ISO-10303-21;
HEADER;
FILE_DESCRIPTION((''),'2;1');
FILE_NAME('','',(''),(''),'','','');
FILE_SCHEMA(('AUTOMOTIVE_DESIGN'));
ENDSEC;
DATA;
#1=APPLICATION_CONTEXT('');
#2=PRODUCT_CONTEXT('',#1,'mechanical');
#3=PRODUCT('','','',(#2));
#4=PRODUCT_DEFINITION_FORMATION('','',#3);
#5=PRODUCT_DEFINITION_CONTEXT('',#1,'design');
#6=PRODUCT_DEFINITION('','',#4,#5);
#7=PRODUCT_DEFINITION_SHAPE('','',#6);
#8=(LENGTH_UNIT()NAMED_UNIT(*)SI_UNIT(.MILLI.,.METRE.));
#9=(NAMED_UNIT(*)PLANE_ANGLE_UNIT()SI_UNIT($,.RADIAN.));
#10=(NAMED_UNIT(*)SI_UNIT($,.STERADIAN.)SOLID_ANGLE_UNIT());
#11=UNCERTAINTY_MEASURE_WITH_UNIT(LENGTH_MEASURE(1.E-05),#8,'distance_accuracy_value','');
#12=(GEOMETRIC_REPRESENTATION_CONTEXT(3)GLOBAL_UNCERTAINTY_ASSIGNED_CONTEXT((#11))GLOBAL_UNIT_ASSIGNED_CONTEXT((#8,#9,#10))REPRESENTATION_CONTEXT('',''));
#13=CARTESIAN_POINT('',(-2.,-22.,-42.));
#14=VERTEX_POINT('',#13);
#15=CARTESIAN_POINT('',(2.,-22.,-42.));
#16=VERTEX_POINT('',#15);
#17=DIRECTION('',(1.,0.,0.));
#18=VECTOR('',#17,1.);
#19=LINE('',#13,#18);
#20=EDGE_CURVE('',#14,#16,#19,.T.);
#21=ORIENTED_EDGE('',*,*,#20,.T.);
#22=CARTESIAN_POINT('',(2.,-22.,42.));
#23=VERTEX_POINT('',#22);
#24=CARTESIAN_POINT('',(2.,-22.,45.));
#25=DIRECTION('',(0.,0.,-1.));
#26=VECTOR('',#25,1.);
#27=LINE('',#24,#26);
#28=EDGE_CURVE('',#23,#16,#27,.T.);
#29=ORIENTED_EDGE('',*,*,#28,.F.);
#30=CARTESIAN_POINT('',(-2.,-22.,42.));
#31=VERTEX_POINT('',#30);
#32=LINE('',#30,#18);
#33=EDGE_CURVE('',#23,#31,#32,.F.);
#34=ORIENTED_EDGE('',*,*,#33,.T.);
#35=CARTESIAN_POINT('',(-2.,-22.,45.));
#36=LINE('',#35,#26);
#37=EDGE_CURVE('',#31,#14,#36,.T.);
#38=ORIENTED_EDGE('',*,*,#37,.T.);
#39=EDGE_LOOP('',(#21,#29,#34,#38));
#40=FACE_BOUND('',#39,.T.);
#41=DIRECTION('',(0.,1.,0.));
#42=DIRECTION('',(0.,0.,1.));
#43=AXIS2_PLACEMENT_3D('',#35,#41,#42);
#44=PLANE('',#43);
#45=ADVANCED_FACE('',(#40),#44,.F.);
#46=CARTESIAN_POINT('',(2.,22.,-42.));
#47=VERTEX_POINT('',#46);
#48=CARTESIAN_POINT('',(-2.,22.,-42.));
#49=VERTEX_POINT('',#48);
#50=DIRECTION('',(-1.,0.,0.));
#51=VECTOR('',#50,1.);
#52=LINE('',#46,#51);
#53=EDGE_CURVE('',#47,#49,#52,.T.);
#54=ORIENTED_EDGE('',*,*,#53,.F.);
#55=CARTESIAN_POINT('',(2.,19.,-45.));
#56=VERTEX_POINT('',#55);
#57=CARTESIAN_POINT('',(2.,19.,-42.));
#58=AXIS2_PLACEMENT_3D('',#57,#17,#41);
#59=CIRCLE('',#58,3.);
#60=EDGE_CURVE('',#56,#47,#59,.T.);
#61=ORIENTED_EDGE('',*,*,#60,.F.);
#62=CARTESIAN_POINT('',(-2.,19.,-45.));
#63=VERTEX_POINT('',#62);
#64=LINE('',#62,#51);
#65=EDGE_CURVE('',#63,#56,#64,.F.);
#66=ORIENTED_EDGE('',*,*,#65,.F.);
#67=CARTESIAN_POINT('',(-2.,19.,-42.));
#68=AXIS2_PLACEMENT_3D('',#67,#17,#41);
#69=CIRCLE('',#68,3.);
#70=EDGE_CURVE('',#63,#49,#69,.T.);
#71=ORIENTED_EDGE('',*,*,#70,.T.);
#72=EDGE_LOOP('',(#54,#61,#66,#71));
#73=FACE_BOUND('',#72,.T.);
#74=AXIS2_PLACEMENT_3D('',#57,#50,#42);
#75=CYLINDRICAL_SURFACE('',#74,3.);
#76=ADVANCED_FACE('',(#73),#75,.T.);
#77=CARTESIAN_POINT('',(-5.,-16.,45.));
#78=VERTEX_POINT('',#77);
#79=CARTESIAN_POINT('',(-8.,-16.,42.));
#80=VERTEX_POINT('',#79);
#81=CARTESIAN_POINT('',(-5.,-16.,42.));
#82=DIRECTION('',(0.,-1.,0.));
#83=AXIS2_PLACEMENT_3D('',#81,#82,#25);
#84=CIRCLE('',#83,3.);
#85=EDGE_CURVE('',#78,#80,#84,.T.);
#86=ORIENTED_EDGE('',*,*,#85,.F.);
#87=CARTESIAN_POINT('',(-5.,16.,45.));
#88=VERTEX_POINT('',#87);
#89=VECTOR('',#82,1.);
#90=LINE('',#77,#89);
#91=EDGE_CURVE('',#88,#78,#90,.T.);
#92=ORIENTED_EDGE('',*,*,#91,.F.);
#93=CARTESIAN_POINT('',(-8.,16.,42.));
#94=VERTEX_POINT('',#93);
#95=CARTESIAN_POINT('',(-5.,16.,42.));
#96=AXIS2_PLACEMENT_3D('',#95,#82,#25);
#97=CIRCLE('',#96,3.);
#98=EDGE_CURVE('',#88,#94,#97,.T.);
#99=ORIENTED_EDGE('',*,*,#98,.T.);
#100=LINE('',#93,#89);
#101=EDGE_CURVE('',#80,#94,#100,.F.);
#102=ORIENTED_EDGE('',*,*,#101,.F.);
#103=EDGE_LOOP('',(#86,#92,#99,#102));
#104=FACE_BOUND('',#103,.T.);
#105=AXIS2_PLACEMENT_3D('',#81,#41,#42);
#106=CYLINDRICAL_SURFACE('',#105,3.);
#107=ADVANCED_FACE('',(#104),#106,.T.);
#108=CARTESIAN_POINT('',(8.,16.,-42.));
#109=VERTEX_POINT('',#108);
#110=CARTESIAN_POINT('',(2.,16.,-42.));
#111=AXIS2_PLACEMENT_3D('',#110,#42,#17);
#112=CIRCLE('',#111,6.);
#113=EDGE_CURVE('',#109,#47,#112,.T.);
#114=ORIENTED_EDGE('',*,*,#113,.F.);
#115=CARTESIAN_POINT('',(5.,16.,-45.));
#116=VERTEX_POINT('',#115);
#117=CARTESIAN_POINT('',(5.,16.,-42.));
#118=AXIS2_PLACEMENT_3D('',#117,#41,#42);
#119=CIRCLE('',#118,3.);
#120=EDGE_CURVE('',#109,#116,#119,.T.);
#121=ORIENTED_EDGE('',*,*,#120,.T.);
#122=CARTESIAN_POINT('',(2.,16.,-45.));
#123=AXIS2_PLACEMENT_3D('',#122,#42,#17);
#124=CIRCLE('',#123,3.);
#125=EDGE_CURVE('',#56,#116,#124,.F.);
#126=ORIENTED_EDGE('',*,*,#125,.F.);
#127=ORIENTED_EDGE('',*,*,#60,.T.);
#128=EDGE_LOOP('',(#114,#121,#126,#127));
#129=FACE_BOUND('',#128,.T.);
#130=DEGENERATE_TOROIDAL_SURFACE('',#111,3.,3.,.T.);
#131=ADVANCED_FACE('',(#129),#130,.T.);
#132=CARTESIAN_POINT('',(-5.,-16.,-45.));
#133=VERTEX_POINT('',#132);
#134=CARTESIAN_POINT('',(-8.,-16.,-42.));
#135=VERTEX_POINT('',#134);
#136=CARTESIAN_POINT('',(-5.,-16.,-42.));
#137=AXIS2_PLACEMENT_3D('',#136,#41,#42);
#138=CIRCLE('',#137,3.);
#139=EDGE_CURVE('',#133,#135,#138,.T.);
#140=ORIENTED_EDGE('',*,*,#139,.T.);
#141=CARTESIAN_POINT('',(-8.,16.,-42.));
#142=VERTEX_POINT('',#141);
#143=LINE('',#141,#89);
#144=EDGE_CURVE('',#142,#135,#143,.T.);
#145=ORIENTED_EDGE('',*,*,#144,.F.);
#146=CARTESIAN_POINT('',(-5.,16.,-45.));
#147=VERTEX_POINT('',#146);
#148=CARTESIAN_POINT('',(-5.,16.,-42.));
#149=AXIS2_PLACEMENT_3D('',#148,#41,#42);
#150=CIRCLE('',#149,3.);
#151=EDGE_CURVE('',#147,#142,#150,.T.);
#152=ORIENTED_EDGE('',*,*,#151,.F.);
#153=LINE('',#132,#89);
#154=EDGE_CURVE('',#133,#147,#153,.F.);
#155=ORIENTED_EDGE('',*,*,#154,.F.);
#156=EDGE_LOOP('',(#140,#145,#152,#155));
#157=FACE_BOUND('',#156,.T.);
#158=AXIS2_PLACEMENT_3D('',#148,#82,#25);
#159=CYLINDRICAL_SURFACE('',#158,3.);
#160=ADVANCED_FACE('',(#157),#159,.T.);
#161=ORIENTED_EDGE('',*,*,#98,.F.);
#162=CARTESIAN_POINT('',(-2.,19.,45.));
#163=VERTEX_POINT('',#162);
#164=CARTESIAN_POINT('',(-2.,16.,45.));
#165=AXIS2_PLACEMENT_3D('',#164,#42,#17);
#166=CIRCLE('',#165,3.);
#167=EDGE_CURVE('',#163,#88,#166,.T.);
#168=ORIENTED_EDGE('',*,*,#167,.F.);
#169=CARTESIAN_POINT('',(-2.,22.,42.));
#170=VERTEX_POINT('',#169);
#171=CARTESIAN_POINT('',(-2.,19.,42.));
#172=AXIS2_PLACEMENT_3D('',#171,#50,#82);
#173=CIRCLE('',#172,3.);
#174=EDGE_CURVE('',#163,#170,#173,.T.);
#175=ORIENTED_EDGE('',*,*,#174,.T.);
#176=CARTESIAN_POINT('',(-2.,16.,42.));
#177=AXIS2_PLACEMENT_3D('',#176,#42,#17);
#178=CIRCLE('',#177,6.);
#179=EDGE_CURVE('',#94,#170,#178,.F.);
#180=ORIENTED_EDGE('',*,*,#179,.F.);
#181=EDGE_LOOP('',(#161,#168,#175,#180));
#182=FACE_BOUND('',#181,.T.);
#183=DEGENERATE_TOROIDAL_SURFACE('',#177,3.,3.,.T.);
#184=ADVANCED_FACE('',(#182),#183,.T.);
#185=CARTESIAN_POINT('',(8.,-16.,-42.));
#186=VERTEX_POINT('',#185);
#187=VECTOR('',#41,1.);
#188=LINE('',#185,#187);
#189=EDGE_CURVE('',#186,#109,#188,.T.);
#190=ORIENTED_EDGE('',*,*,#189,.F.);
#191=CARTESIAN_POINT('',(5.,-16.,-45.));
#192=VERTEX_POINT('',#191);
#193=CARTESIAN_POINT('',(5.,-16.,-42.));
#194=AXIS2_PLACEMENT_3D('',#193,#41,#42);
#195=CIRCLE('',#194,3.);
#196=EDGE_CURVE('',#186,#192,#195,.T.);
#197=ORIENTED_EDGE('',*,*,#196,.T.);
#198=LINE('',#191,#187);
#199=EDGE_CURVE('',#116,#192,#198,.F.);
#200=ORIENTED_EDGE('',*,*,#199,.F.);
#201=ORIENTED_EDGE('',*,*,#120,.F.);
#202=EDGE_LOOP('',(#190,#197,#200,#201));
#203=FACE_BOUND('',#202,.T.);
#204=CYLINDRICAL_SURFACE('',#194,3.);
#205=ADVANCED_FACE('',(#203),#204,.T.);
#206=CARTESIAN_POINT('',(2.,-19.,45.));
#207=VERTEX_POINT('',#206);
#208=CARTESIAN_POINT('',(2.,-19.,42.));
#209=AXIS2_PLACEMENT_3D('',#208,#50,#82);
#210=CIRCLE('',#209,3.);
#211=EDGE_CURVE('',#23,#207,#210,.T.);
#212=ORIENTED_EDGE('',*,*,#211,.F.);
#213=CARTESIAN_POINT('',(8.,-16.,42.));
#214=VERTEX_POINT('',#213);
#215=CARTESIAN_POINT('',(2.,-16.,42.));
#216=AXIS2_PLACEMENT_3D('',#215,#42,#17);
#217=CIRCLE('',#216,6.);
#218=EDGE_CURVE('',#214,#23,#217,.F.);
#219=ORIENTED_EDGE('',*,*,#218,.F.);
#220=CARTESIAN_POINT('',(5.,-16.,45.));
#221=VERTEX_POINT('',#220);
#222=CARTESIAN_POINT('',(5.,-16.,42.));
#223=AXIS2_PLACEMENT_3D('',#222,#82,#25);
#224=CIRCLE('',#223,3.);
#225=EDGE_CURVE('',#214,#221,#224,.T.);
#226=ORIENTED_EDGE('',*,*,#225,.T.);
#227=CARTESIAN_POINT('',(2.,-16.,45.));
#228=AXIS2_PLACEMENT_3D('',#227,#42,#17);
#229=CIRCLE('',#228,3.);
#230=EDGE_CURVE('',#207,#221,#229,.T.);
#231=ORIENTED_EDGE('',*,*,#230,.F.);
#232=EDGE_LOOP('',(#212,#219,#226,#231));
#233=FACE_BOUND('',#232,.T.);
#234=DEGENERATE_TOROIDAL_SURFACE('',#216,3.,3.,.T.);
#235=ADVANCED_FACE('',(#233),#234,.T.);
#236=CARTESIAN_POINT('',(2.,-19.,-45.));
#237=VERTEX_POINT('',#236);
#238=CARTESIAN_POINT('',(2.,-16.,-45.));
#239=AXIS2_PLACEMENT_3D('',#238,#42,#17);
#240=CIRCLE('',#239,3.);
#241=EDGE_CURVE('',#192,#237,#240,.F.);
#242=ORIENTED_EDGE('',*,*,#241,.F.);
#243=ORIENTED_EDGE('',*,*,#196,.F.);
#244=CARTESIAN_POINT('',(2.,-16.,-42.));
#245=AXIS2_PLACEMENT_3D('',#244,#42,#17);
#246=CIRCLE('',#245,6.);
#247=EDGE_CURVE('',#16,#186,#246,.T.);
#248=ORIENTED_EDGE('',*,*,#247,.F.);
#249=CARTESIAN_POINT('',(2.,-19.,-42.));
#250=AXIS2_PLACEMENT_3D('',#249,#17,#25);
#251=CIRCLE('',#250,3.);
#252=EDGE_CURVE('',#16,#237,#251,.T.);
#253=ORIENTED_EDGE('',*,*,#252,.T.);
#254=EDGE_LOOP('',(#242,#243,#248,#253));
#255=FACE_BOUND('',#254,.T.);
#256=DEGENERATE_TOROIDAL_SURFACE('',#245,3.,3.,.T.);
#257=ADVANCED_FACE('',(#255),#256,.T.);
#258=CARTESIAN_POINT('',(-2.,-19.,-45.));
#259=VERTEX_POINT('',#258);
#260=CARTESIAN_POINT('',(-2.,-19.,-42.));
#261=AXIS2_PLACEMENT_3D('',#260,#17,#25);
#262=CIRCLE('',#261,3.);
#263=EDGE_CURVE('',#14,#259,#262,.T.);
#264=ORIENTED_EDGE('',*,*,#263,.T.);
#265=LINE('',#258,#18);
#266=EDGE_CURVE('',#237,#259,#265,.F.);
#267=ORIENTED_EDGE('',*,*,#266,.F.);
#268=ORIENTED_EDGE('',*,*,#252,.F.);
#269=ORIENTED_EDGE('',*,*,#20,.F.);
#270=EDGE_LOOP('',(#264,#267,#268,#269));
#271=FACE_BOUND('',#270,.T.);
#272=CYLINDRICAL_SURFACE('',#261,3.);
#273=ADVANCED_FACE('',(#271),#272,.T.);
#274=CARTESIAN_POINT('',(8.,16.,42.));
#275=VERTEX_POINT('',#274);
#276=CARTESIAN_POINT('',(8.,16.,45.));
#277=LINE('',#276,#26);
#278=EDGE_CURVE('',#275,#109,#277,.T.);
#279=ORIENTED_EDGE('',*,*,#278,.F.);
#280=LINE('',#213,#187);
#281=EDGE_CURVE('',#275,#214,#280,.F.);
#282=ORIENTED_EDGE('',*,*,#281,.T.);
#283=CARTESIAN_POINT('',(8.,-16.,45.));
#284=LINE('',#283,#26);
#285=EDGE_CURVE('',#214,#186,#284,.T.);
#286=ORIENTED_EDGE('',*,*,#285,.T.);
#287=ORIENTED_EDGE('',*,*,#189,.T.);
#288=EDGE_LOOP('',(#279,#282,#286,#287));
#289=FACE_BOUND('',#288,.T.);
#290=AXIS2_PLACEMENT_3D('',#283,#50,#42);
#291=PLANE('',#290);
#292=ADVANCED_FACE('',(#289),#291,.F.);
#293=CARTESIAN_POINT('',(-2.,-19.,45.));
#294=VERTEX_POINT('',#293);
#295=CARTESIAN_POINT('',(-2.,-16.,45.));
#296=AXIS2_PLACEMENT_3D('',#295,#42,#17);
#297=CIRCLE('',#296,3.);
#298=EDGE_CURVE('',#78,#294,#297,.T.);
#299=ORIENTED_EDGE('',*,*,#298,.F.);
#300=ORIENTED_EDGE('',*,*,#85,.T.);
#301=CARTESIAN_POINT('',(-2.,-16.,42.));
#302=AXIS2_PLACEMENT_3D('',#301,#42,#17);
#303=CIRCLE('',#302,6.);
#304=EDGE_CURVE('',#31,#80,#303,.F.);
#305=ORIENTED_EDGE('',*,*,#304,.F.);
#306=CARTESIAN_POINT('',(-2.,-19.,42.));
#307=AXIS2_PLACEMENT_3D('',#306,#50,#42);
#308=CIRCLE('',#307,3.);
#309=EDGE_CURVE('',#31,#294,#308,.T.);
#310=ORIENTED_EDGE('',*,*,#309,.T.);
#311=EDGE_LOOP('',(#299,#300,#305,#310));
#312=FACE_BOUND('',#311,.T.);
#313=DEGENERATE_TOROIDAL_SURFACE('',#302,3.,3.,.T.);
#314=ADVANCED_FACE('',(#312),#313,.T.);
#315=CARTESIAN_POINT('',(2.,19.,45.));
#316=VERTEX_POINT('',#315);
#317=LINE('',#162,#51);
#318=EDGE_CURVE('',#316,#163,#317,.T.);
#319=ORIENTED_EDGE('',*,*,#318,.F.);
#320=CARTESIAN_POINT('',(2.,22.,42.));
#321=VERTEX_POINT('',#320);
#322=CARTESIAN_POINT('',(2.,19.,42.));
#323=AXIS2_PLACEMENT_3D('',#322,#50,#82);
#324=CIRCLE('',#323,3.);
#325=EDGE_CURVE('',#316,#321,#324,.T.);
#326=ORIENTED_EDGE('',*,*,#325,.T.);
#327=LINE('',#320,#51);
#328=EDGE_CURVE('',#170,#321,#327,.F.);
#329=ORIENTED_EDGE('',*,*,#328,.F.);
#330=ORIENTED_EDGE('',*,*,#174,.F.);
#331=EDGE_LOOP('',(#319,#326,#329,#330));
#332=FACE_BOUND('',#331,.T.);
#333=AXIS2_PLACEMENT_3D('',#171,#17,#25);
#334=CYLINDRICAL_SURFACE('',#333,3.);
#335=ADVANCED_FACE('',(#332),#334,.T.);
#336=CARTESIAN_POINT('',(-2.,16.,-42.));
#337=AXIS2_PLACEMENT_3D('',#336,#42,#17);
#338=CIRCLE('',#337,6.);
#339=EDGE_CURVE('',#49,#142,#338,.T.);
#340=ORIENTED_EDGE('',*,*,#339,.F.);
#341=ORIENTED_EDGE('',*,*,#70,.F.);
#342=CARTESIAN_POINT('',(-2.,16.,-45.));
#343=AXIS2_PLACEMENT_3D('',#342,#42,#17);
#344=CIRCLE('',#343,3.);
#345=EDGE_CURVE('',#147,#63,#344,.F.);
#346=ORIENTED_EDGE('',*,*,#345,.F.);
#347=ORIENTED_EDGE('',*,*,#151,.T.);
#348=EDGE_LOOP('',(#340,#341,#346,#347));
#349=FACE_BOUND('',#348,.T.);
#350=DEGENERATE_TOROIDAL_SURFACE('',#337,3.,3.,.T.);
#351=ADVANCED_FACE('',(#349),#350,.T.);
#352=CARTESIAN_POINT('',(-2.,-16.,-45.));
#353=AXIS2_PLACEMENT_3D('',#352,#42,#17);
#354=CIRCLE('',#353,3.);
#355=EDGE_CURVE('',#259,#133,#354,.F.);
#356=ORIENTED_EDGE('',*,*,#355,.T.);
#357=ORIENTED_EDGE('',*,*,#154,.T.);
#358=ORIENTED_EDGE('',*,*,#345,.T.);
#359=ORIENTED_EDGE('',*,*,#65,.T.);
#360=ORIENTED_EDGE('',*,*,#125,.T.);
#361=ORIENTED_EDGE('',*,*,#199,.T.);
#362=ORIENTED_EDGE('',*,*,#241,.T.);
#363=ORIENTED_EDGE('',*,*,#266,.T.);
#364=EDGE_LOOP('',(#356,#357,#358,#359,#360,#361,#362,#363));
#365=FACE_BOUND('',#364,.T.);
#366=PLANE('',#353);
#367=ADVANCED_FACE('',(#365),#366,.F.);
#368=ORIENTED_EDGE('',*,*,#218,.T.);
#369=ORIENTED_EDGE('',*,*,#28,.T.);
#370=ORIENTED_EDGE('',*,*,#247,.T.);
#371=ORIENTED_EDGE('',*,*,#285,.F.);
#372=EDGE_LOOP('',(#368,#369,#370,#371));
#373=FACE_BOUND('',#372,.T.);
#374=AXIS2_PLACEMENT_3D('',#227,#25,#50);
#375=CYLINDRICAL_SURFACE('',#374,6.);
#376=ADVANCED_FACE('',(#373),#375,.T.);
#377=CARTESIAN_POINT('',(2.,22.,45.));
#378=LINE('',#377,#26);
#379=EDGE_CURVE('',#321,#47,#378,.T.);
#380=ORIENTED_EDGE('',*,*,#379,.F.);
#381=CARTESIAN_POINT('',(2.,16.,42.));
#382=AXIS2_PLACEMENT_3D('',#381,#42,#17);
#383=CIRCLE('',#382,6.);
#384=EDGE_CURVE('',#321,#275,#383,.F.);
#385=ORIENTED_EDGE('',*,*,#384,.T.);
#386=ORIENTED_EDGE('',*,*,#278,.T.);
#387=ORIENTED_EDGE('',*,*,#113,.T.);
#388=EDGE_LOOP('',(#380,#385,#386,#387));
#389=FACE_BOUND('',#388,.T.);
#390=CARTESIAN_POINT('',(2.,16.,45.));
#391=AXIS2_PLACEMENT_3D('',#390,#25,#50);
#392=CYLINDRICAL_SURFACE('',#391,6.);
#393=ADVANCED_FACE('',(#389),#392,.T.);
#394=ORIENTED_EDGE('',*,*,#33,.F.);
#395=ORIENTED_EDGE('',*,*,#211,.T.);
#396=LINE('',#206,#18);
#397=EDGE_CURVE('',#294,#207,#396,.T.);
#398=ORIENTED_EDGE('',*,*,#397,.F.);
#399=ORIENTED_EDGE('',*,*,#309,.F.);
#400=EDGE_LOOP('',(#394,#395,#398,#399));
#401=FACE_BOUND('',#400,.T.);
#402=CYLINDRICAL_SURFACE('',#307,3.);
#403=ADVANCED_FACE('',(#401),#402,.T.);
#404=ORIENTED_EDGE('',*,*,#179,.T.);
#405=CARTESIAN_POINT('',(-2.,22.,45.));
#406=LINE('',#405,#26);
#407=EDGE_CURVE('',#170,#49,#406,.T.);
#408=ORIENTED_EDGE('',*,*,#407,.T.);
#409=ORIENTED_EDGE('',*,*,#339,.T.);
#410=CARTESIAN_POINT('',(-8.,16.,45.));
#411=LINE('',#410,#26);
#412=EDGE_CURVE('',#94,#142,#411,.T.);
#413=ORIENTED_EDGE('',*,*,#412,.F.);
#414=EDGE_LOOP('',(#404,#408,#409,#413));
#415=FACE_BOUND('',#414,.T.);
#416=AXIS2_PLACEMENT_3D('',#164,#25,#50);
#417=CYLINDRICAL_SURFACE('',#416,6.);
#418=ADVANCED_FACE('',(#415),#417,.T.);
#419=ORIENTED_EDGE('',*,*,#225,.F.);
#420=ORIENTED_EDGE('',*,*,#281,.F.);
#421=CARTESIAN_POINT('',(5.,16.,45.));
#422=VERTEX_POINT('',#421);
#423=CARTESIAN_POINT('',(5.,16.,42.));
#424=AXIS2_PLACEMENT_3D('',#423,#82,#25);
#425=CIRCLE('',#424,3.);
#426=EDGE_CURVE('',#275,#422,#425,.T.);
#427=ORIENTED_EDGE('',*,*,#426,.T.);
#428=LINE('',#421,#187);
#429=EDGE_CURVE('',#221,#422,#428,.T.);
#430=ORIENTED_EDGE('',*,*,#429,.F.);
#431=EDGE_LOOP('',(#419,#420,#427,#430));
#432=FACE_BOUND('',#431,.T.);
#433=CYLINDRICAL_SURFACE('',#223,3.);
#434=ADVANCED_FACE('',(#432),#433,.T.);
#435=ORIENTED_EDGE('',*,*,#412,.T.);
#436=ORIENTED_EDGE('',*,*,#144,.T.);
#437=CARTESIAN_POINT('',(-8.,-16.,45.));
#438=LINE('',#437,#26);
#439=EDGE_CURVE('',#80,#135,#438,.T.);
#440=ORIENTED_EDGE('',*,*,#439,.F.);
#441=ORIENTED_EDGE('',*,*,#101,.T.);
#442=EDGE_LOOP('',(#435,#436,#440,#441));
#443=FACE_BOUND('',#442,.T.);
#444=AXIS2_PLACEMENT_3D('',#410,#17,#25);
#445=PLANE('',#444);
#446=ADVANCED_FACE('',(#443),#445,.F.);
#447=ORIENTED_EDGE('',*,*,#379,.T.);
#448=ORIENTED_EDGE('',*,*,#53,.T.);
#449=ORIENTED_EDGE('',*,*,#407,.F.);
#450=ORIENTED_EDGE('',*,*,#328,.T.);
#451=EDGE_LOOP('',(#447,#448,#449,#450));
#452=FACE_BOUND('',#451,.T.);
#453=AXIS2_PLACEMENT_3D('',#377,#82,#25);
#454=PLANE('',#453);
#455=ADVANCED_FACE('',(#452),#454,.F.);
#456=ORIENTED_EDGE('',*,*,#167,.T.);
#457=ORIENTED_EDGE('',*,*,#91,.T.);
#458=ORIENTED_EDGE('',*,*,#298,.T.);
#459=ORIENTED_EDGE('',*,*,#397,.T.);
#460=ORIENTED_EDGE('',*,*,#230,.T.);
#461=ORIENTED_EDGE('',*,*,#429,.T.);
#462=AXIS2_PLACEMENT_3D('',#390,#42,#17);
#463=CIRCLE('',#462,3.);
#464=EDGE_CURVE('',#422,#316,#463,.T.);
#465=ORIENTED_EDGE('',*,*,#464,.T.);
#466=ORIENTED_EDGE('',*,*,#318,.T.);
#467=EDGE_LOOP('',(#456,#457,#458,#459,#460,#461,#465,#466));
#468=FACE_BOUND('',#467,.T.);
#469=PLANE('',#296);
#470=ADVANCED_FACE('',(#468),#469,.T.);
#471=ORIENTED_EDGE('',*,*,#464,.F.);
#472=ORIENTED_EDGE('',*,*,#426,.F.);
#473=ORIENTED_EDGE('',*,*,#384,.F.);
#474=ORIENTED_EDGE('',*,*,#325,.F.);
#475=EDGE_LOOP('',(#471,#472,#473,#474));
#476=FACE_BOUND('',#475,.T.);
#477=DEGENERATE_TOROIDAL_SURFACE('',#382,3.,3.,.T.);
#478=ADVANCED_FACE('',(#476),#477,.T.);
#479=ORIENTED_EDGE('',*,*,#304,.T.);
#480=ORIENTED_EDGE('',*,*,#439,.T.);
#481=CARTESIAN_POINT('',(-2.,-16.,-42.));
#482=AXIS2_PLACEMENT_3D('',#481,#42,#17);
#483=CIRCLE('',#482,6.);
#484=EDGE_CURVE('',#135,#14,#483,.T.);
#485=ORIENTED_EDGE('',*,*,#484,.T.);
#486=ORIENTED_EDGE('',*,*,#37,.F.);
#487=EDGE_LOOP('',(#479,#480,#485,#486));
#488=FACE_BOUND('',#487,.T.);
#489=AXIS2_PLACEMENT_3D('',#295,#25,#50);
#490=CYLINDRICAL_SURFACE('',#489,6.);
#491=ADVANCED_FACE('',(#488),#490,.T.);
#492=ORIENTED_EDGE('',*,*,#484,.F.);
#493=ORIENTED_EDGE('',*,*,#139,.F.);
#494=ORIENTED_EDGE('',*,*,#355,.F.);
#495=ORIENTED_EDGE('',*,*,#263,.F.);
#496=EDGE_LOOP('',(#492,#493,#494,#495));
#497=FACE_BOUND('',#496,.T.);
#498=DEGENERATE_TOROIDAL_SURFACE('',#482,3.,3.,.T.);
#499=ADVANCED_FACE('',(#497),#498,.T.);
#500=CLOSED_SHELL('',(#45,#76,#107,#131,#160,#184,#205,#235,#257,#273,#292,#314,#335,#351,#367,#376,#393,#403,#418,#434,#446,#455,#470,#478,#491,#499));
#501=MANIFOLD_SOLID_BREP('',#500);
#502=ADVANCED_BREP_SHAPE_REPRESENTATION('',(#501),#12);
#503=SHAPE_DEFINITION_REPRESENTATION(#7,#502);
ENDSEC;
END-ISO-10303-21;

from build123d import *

# Parameters (mm, degrees)
BLOCK_START           = -45
BLOCK_1_DEPTH         = 90
BLOCK_EDGE_FILLET_1_R = 3


with BuildPart() as part:
    # Block sketch 1 → Block 1 (new body)
    with BuildSketch(Plane.XY.offset(BLOCK_START)):
        with BuildLine():
            Line((-2, -22), (2, -22))
            ThreePointArc((2, -22), (6.242640687, -20.242640687), (8, -16))
            Line((8, -16), (8, 16))
            ThreePointArc((8, 16), (6.242640687, 20.242640687), (2, 22))
            Line((2, 22), (-2, 22))
            ThreePointArc((-2, 22), (-6.242640687, 20.242640687), (-8, 16))
            Line((-8, 16), (-8, -16))
            ThreePointArc((-8, -16), (-6.242640687, -20.242640687), (-2, -22))
        make_face()
    extrude(amount=BLOCK_1_DEPTH)

    # Block edge fillet 1
    block_edge_fillet_1_edges = [part.edges().sort_by_distance(p)[0] for p in [
        (8, 0, -45),
        (6.242640687, -20.242640687, -45),
        (0, -22, -45),
        (-6.242640687, -20.242640687, -45),
        (6.242640687, -20.242640687, 45),
        (8, 0, 45),
        (6.242640687, 20.242640687, 45),
        (0, 22, 45),
        (-6.242640687, 20.242640687, 45),
        (-8, 0, 45),
        (-6.242640687, -20.242640687, 45),
        (-8, 0, -45),
        (0, -22, 45),
        (-6.242640687, 20.242640687, -45),
        (0, 22, -45),
        (6.242640687, 20.242640687, -45),
    ]]
    fillet(block_edge_fillet_1_edges, radius=BLOCK_EDGE_FILLET_1_R)


solid = part.part
